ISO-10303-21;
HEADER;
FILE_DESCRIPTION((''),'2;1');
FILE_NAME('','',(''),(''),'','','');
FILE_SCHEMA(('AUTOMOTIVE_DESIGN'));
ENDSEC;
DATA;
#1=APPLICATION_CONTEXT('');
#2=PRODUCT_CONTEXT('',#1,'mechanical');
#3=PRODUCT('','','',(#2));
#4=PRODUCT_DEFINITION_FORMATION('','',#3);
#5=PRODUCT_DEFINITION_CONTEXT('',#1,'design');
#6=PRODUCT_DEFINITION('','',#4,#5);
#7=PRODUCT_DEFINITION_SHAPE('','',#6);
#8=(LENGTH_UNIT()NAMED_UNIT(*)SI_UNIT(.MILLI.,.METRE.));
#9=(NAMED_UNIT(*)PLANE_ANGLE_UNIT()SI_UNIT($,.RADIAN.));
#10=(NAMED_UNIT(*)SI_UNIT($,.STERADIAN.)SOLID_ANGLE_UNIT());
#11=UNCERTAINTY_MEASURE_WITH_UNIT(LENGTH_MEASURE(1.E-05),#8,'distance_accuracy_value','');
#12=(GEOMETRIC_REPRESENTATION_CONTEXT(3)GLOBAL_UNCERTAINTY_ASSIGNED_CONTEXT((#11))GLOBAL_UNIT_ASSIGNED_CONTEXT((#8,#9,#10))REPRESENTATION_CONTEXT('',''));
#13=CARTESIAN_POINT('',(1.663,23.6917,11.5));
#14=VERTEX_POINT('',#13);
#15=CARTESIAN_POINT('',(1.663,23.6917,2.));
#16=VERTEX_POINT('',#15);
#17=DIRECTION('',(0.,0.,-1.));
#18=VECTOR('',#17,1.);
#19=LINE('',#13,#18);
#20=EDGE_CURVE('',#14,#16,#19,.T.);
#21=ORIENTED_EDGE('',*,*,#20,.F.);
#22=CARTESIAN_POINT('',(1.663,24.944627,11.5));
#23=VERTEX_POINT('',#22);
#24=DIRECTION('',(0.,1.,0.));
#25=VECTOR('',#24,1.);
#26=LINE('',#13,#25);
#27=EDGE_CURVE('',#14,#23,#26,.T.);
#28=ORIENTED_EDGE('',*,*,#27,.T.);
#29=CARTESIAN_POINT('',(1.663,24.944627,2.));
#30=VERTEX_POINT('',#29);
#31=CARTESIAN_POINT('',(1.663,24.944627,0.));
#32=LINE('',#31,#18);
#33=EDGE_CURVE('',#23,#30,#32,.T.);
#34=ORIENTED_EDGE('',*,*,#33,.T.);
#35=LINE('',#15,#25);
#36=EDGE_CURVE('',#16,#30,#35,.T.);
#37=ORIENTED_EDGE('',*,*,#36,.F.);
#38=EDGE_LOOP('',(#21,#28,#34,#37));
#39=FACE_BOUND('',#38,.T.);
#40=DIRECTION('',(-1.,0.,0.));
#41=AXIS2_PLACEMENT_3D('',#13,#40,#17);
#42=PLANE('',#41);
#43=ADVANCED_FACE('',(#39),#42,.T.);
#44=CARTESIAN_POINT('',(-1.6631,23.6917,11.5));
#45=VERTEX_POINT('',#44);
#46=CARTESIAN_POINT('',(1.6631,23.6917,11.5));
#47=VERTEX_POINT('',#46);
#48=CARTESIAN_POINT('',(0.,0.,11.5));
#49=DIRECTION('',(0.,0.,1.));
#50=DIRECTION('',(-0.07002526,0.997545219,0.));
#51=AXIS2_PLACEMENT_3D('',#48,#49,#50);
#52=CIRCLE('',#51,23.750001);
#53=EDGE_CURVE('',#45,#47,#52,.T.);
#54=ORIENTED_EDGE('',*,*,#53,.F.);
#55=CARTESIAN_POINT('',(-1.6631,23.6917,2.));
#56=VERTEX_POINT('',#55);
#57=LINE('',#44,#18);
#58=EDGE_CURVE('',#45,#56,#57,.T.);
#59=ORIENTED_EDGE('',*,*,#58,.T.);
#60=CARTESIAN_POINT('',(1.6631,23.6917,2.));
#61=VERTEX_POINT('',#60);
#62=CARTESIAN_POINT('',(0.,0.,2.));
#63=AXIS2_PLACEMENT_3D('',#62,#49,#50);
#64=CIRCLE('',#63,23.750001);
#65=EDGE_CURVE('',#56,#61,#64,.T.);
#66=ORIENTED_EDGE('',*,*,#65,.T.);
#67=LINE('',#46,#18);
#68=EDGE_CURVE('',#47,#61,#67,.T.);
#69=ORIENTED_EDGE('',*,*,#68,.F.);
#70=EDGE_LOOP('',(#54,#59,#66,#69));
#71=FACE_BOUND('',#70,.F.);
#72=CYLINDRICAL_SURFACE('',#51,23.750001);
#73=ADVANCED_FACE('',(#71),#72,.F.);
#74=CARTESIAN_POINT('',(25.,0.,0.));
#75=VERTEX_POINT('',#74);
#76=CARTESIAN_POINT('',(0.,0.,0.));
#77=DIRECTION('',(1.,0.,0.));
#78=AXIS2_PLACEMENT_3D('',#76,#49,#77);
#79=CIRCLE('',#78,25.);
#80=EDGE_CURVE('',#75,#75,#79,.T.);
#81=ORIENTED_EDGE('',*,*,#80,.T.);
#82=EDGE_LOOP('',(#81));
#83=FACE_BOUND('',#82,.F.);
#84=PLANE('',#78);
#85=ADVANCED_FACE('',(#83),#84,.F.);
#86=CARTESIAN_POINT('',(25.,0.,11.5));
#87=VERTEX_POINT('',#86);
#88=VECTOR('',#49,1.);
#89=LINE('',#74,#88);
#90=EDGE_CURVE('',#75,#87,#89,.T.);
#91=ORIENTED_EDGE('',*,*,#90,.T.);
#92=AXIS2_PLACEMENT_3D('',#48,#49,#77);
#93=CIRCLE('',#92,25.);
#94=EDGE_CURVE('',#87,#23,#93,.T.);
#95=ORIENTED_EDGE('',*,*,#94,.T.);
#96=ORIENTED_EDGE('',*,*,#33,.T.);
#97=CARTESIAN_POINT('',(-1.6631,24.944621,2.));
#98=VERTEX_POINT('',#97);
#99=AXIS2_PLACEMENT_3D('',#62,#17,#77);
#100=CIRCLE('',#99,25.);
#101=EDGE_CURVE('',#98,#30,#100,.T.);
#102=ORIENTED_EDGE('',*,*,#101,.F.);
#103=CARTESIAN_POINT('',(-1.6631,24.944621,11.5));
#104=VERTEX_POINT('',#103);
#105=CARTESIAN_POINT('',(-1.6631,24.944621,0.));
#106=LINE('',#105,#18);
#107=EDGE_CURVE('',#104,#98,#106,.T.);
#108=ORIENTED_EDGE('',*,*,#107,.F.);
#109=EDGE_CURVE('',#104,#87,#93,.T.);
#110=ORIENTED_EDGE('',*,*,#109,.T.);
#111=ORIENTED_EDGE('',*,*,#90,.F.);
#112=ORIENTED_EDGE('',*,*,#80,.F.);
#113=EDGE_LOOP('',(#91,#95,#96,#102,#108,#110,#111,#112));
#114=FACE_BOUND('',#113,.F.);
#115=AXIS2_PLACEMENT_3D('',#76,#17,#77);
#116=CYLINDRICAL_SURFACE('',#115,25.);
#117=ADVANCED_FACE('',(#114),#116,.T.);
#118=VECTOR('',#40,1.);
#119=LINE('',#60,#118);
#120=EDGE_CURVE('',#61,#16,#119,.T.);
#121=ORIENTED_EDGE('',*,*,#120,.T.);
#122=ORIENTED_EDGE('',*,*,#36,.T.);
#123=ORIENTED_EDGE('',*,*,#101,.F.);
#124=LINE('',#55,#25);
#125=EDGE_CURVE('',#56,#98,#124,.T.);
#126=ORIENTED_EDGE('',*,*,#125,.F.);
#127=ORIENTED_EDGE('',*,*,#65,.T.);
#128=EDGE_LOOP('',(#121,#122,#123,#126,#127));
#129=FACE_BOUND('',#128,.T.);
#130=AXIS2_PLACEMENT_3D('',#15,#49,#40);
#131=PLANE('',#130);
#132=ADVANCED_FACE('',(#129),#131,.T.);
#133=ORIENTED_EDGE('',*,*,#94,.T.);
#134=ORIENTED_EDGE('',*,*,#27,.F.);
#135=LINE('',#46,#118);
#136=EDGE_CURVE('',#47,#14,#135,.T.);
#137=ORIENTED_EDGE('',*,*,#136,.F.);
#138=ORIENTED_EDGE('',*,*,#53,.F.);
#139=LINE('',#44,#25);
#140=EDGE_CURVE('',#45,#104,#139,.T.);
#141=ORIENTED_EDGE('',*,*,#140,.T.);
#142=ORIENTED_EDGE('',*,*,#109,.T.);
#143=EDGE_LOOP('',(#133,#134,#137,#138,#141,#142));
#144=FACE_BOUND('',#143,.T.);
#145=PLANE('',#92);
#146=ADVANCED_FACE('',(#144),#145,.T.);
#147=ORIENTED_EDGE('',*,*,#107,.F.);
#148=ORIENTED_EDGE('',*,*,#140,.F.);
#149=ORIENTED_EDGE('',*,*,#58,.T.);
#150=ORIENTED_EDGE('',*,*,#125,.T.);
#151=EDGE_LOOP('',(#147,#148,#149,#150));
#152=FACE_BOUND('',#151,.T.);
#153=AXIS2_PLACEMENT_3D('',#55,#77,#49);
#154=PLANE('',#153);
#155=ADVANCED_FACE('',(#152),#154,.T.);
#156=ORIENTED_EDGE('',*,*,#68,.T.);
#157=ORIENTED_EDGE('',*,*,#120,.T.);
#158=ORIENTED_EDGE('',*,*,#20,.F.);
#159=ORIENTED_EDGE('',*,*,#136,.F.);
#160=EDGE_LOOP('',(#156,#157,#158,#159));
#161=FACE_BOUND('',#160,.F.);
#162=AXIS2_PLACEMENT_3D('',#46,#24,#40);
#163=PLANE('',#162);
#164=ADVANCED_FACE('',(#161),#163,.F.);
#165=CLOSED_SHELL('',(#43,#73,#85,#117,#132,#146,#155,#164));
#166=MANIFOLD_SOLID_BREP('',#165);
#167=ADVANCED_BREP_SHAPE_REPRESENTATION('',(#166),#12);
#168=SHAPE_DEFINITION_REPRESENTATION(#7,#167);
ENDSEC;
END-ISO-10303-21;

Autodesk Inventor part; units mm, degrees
ref_plane "YZ Plane" through (0, 0, 0) normal (1, 0, 0) x (0, 1, 0)
ref_plane "XZ Plane" through (0, 0, 0) normal (0, 1, 0) x (-1, 0, 0)
ref_plane "XY Plane" through (0, 0, 0) normal (0, 0, 1) x (1, 0, 0)
sketch "Sketch1" plane through (0, 0, 0) normal (0, 0, 1) x (1, 0, 0)
  circle A0 centre (0, 0) radius 25
  dimension "d0" = 50
extrude "Extrusion1" add sketch "Sketch1" along normal blind 11.5
sketch "Sketch2" plane through (0, 0, 11.5) normal (0, 0, 1) x (1, 0, 0)
  arc A0 (-1.6631, 23.6917) -> (1.6631, 23.6917) centre (0, 0) ccw
  line L0 (1.6631, 23.6917) -> (-1.6631, 23.6917)
  dimension "d4" = 47.5
  dimension "d8" = 23.6917
extrude "Extrusion2" cut sketch "Sketch2" against normal blind 9.5
sketch "Sketch3" plane through (-1.6631, 23.6917, 11.5) normal (0, -1, 0) x (1, 0, 0)
  line L0 (0, 0) -> (3.3261, 0)
  line L1 (3.3261, 0) -> (3.3261, -9.5)
  line L2 (3.3261, -9.5) -> (0, -9.5)
  line L3 (0, -9.5) -> (0, 0)
  point P0 (1.6631, -11.5)
  dimension "d9" = 9.5
  dimension "d10" = 3.3261
extrude "Extrusion3" cut sketch "Sketch3" against normal blind 1.5
properties part number "pruebaCargadorReceptor"
